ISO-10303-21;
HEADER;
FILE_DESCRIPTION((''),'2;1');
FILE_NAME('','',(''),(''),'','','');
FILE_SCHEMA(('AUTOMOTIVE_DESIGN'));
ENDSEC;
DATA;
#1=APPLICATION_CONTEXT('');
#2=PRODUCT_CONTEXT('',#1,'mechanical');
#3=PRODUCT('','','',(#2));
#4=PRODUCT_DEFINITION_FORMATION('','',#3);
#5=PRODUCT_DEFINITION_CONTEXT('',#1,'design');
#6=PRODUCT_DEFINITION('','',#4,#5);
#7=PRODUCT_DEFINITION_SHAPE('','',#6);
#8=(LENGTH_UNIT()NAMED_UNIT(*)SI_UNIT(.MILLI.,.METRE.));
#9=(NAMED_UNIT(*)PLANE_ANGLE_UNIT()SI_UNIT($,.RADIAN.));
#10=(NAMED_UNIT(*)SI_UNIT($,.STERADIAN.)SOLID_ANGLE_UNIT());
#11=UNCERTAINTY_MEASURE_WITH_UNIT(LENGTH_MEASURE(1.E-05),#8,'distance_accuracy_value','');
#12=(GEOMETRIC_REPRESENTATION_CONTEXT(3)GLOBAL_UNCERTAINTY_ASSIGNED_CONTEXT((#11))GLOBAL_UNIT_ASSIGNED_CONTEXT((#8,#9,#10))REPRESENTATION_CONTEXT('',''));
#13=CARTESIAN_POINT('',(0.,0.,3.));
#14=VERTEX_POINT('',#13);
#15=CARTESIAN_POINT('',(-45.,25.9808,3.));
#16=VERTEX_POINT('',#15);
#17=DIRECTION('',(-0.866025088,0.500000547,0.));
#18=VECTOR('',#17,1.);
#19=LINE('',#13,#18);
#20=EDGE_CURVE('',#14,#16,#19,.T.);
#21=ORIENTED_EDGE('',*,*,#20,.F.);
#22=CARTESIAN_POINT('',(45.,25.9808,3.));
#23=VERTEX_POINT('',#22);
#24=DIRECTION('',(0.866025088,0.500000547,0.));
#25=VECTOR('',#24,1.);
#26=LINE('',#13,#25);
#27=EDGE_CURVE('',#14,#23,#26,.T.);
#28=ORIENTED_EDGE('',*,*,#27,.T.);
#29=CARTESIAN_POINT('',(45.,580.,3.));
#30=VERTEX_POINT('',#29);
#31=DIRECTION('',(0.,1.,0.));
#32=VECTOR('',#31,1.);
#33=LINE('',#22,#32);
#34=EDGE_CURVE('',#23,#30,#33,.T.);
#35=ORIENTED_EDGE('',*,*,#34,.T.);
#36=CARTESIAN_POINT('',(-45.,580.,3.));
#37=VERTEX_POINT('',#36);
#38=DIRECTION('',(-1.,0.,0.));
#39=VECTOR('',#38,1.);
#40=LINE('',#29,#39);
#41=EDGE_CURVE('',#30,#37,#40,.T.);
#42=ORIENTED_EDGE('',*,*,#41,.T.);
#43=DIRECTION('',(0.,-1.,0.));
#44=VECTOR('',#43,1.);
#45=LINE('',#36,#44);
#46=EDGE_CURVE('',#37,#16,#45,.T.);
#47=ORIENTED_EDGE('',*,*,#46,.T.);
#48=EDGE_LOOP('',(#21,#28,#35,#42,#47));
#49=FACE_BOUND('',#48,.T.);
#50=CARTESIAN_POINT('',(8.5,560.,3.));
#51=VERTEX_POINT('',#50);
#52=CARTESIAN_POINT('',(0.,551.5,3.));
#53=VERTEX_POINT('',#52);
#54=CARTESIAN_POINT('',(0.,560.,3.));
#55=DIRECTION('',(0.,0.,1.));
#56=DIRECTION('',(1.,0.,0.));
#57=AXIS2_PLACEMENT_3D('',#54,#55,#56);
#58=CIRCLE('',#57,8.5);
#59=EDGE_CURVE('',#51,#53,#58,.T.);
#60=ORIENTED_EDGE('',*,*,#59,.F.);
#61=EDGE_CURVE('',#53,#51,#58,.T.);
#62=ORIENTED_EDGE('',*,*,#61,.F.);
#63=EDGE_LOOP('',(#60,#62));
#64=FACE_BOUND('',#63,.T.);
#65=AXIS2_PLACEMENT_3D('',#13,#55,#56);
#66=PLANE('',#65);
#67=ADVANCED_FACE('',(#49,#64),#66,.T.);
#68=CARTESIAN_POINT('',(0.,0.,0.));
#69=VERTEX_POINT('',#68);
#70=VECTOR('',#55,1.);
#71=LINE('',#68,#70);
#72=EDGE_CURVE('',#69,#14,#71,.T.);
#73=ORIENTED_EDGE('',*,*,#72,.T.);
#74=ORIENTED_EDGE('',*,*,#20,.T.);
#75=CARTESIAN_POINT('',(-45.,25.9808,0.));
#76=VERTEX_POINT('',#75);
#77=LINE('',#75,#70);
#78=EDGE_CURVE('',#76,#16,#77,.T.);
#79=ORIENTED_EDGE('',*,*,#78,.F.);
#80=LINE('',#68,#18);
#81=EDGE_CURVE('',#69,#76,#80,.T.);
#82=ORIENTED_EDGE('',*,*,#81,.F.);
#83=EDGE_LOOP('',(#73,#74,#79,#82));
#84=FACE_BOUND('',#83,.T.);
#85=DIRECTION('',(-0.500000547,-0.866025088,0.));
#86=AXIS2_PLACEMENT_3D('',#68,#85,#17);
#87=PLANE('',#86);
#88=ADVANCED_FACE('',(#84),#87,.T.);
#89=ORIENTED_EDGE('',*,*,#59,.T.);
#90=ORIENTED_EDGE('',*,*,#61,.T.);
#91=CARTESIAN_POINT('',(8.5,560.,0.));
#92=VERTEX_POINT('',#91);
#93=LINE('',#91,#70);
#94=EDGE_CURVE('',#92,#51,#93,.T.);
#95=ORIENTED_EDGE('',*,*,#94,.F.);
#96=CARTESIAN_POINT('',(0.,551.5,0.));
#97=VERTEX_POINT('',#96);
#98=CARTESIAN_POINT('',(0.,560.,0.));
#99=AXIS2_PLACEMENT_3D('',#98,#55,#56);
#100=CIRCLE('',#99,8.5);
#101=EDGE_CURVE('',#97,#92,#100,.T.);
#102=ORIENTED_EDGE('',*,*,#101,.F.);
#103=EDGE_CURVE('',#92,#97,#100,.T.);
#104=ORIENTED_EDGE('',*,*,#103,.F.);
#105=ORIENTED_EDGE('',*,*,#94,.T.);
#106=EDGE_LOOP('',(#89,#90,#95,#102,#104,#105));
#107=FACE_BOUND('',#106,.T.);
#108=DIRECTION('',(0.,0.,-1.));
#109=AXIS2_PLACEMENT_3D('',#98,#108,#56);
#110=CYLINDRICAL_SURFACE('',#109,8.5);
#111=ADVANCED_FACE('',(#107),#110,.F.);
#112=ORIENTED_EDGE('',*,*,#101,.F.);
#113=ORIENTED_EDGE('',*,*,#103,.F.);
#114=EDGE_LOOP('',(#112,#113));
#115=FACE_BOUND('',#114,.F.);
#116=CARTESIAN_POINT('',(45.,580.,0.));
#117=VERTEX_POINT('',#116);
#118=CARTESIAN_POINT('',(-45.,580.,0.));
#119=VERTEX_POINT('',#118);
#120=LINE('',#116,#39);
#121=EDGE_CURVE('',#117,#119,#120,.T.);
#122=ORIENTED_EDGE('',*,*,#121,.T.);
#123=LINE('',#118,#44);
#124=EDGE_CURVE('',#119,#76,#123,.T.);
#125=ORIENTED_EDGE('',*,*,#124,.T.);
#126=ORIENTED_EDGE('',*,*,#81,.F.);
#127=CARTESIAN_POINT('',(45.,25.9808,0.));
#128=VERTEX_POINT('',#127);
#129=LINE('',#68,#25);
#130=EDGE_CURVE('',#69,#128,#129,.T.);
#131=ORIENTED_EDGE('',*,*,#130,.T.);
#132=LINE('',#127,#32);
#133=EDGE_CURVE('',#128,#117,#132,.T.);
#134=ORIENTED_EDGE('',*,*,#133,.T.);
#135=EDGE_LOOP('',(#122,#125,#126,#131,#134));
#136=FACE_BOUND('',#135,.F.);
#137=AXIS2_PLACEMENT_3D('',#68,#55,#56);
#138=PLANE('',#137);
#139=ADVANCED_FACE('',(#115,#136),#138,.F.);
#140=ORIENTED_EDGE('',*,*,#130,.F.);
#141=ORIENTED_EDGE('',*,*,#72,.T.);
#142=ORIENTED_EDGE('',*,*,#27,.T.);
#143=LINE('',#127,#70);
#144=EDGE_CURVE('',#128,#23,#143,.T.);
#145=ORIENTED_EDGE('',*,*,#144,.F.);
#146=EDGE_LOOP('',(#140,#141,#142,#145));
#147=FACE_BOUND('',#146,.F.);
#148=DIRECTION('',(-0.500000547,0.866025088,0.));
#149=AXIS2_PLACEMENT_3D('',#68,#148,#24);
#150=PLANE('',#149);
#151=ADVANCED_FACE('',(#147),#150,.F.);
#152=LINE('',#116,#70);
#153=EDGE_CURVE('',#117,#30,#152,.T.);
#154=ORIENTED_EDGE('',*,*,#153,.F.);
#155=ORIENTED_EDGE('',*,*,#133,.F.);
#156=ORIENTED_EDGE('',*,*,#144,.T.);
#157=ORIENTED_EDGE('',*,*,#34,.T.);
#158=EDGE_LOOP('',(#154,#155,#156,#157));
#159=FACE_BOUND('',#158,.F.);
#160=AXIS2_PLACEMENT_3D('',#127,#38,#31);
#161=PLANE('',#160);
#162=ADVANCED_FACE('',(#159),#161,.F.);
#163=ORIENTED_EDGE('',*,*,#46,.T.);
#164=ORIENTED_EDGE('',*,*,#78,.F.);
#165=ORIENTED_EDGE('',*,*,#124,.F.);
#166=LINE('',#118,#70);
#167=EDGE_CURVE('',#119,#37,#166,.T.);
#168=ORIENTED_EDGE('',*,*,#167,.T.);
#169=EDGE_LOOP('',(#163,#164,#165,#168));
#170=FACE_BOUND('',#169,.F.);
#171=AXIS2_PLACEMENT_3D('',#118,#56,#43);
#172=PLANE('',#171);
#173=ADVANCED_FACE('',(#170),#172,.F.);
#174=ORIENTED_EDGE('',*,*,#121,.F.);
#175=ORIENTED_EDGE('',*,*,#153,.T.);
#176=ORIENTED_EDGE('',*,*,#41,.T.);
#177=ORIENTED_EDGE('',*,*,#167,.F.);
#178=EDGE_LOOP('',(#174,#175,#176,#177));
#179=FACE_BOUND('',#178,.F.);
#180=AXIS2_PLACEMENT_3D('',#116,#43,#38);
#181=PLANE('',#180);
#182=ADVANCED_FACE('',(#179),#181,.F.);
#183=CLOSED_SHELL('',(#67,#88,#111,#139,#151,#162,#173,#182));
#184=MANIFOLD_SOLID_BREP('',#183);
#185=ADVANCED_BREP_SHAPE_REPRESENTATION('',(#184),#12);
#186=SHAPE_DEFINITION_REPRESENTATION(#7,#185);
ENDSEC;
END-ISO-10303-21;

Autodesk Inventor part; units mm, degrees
ref_plane "YZ Plane" through (0, 0, 0) normal (1, 0, 0) x (0, 1, 0)
ref_plane "XZ Plane" through (0, 0, 0) normal (0, 1, 0) x (-1, 0, 0)
ref_plane "XY Plane" through (0, 0, 0) normal (0, 0, 1) x (1, 0, 0)
sketch "Sketch6" plane through (0, 0, 0) normal (0, 0, 1) x (1, 0, 0)
  line L0 (0, 0) -> (45, 25.9808)
  line L1 (0, 0) -> (-45, 25.9808)
  line L2 (0, 0) -> (0, 560)
  line L3 (-45, 25.9808) -> (45, 25.9808)
  line L4 (45, 25.9808) -> (45, 580)
  line L5 (45, 580) -> (-45, 580)
  line L6 (-45, 580) -> (-45, 25.9808)
  circle A0 centre (0, 560) radius 8.5
  circle A1 centre (0, 0) radius 560 construction
  circle A2 centre (0, 0) radius 580 construction
  dimension "d44" = 1120
  dimension "d40" = 120
  dimension "d42" = 90
  dimension "d43" = 17
  dimension "d45" = 1160
  dimension "d47" = 20
extrude "Plate3" add sketch "Sketch6" along normal blind 3
equation "\"d46\" = Thickness"
equation "\"BendReliefWidth\" = Thickness"
equation "\"BendReliefDepth\" = 0.5 * Thickness"
equation "\"CornerReliefSize\" = 4 * Thickness"
equation "\"MinimumRemnant\" = 2 * Thickness"
equation "\"TransitionRadius\" = BendRadius"
equation "\"JacobiRadiusSize\" = BendRadius"
equation "\"GapSize\" = Thickness"
equation "\"Thickness\" = 3"
equation "\"BendRadius\" = 5"
properties part number "SLM 1696 leg floor pattern" material "Stainless Steel"
